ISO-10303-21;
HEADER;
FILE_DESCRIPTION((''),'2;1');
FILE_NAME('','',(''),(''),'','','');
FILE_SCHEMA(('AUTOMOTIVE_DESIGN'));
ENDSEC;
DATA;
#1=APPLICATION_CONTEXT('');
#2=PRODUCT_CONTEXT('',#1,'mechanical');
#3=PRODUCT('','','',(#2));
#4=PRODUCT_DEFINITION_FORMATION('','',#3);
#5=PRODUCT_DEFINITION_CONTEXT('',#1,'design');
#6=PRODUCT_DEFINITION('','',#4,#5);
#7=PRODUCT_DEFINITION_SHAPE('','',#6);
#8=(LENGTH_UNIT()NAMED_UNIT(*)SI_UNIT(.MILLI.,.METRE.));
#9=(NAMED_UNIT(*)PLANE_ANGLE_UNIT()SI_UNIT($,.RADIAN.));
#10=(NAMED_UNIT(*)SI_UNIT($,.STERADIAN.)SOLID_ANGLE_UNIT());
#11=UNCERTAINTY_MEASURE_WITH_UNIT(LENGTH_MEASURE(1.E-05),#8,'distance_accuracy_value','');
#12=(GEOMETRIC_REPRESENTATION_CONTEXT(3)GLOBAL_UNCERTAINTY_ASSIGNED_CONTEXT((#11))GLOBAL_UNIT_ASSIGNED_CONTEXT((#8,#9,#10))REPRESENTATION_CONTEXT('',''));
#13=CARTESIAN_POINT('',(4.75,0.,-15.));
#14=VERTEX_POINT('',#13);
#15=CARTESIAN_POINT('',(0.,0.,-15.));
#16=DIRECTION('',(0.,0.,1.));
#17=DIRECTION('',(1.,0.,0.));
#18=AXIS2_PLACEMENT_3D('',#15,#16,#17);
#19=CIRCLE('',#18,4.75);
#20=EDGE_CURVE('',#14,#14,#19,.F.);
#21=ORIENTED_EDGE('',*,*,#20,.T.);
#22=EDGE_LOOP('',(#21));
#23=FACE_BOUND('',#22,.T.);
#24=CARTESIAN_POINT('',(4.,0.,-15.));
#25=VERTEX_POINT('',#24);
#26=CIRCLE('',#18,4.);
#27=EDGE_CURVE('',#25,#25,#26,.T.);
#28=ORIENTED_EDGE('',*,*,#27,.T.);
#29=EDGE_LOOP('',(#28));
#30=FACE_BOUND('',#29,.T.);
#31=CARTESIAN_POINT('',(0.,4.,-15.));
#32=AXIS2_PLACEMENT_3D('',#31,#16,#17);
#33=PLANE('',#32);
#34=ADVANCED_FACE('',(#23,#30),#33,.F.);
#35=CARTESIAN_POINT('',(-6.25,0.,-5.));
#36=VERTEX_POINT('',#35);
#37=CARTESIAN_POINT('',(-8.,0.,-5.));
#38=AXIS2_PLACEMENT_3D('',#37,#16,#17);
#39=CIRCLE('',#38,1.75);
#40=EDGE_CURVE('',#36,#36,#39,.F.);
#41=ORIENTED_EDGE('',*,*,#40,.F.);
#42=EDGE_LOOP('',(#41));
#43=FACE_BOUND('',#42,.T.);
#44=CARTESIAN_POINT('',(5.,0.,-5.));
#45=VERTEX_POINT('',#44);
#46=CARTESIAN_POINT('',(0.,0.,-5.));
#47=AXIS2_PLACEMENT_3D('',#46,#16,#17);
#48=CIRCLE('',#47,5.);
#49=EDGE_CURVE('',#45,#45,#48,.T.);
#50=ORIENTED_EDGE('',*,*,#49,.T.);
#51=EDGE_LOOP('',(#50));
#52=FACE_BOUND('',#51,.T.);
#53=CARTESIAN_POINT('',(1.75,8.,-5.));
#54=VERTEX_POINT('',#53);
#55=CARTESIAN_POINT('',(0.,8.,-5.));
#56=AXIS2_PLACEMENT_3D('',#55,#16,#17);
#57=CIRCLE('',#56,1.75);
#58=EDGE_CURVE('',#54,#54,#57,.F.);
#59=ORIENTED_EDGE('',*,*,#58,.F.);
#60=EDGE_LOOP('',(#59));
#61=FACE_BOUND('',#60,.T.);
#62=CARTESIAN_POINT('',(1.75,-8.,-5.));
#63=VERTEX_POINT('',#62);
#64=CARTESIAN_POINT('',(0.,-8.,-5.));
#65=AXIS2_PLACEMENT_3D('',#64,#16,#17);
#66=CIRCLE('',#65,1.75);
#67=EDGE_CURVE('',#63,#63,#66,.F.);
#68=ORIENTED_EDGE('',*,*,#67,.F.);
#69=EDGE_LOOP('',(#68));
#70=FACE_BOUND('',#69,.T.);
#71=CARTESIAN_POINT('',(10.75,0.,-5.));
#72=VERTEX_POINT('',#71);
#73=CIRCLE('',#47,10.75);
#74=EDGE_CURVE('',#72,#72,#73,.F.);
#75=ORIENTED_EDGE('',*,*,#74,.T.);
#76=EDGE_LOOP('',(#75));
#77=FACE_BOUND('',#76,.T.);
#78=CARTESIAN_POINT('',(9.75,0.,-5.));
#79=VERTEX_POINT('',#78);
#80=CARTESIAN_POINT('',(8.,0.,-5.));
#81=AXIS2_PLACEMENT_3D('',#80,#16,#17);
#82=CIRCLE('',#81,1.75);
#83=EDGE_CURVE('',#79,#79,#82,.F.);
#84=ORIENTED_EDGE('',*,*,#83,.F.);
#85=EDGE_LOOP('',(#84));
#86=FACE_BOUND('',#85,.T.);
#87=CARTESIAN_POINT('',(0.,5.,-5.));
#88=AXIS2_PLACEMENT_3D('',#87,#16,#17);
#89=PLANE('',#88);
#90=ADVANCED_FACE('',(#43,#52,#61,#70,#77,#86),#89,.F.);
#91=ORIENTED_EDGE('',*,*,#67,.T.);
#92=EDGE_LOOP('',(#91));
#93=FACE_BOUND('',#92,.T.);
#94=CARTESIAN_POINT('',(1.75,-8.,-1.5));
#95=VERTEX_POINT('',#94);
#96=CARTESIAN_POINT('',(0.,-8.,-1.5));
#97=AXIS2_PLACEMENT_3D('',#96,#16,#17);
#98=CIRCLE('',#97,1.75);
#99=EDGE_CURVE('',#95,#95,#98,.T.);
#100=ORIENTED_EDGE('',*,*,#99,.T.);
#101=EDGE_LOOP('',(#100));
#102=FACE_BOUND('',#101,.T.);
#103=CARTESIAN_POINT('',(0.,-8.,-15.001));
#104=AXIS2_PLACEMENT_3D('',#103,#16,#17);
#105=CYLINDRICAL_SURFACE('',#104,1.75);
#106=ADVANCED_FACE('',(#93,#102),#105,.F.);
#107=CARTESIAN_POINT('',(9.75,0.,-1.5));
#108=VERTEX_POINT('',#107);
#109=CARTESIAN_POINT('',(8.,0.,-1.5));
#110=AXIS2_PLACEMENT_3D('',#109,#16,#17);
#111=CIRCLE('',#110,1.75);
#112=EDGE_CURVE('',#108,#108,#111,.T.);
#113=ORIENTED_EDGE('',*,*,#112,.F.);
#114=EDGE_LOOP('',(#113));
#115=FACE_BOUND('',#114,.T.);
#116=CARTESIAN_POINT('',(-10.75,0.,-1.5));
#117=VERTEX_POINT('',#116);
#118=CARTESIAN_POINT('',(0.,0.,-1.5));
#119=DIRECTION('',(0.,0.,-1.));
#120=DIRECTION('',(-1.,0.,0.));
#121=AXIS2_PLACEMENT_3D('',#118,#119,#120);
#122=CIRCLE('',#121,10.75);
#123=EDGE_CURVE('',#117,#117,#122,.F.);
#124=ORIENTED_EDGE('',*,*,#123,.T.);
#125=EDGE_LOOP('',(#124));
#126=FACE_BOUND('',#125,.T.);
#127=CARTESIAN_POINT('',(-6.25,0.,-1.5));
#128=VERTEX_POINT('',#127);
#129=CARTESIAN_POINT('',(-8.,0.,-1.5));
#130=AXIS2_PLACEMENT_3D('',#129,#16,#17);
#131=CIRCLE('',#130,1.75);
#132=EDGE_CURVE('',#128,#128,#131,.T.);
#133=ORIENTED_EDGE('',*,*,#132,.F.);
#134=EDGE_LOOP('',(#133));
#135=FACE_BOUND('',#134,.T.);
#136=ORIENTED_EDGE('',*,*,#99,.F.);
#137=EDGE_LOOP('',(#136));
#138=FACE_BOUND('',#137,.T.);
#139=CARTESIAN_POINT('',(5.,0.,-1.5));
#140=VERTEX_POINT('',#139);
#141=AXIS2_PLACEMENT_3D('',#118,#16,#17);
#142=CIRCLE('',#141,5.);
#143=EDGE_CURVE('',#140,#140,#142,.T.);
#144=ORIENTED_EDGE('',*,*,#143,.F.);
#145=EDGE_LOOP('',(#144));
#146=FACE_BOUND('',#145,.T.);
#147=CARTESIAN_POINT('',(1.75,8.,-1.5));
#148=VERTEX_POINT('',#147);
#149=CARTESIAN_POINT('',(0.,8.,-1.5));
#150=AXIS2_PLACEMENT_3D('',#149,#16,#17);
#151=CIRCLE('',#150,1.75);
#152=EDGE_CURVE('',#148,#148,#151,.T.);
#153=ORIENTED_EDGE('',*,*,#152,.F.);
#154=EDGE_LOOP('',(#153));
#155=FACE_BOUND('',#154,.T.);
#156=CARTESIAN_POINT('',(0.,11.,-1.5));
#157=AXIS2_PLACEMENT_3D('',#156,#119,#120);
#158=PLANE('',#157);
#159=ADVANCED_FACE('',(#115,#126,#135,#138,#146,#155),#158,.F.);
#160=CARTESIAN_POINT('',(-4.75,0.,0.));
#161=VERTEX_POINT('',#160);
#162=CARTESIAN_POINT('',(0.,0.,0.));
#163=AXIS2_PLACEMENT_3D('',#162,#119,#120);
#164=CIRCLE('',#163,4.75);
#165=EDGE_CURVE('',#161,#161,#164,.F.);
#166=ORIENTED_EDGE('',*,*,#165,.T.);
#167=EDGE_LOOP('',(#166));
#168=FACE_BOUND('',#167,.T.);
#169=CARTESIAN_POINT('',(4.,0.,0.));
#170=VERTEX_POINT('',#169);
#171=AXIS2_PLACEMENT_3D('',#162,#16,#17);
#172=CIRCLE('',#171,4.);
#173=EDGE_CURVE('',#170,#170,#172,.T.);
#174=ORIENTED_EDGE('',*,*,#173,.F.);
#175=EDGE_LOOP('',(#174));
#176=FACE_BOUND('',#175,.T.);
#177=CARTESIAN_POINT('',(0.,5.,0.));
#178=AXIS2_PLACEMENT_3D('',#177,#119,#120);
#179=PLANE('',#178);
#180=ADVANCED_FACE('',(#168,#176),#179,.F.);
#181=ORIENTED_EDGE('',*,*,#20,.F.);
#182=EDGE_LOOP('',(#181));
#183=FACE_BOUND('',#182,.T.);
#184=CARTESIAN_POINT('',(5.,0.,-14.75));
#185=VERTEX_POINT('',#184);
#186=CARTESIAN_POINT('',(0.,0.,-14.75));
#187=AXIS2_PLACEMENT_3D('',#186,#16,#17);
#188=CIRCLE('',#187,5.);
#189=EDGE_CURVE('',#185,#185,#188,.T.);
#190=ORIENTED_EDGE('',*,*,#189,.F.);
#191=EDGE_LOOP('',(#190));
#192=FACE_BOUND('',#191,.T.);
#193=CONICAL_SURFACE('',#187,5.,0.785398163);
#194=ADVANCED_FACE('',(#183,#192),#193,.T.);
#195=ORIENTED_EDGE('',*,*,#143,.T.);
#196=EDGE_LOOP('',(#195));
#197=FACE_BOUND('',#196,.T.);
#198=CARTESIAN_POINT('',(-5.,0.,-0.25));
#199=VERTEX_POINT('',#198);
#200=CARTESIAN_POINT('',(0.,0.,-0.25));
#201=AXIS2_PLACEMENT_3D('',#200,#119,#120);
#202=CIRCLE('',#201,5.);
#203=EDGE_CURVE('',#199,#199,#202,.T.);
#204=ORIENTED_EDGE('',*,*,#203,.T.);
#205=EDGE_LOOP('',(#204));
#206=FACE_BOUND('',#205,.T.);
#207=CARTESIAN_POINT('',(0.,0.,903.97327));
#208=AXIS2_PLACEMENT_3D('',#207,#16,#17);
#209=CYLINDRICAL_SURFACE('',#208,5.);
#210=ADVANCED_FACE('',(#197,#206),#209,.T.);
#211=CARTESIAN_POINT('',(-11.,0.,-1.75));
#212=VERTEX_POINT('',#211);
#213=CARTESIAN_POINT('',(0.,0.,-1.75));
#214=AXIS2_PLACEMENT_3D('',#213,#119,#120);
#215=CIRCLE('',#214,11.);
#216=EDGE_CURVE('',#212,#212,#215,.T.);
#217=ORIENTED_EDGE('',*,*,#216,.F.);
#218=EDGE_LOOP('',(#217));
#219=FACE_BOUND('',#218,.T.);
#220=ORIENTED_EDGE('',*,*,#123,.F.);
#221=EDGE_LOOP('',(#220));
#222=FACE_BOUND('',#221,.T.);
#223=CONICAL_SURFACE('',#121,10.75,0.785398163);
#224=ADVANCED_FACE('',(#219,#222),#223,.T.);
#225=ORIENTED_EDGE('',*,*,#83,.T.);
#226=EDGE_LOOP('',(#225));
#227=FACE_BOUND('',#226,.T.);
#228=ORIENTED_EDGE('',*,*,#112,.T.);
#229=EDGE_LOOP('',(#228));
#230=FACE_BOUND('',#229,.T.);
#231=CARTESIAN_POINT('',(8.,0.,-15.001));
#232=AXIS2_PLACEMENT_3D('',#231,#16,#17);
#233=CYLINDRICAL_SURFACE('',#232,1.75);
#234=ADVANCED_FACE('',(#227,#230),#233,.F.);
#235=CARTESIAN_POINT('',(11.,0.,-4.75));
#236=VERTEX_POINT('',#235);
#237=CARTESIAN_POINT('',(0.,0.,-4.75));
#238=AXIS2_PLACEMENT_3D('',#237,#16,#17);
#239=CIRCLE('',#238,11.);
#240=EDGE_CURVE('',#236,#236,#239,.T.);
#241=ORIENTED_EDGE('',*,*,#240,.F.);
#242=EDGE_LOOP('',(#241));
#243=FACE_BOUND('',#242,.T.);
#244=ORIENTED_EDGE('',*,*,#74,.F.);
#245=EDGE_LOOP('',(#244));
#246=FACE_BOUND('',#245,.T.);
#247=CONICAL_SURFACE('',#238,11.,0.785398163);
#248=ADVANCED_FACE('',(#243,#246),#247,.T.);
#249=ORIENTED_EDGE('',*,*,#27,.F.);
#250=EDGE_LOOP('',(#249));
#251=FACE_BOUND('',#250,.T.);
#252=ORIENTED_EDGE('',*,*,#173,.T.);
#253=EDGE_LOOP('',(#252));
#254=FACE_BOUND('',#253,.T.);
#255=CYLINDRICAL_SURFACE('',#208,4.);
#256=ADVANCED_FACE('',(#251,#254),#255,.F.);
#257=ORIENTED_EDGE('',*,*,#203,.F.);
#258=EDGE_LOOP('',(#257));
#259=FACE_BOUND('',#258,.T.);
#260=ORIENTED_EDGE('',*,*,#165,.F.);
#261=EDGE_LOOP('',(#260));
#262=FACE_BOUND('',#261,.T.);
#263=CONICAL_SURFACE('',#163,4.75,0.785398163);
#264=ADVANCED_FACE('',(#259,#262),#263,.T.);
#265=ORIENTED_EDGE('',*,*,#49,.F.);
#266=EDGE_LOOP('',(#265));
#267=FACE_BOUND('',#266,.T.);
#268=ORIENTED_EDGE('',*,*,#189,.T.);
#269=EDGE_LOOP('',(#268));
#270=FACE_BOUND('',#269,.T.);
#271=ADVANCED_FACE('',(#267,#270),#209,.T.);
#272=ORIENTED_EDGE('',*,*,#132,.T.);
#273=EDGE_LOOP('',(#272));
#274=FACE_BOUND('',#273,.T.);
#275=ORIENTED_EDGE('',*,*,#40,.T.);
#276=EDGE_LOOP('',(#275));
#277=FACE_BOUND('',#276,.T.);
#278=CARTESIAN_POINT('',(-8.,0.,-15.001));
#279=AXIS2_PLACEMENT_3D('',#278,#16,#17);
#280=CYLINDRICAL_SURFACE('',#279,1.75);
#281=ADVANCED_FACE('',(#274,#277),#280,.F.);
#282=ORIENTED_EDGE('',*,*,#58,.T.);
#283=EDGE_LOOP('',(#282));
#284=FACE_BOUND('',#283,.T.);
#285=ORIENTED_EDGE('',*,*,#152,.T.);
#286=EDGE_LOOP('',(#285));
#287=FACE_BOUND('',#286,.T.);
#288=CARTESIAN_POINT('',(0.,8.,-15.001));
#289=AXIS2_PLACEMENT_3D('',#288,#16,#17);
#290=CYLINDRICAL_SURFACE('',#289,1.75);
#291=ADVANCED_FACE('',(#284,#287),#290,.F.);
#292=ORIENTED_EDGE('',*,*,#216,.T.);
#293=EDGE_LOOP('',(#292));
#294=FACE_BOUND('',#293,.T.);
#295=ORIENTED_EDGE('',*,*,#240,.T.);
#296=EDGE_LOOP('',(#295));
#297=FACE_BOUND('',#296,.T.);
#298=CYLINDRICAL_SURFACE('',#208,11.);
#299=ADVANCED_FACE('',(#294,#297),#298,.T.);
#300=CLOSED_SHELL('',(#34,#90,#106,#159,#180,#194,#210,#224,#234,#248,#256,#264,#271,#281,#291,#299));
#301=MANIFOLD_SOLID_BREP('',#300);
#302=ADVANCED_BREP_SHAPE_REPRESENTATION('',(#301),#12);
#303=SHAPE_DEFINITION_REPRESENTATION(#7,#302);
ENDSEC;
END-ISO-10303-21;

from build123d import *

# Parameters (mm, degrees)
CHAMFER1_SIZE      = 0.25
CUT_EXTRUDE1_REACH = 15.5
SKETCH2_R          = 1.75


with BuildPart() as part:
    # Sketch1 → Revolve1 (revolve)
    with BuildSketch(Plane(origin=(0, 0, 0), x_dir=(0, 0, -1), z_dir=(1, 0, 0))):
        Polygon((0, 4), (15, 4), (15, 5), (5, 5), (5, 11), (1.5, 11), (1.5, 5), (0, 5), align=None)
    revolve(axis=Axis((0, 0, 903.973270396), (0, 0, -1)))

    # Chamfer1
    chamfer1_edges = [part.edges().sort_by_distance(p)[0] for p in [
        (0, -5, 0),
        (0, -11, -1.5),
        (0, -11, -5),
        (0, -5, -15),
    ]]
    chamfer(chamfer1_edges, length=CHAMFER1_SIZE)

    # Sketch2 → Cut-Extrude1 (cut, up to next)
    with BuildSketch(Plane.XY.offset(-1.5), mode=Mode.PRIVATE) as cut_extrude1_sk1:
        with Locations((0, 8)):
            Circle(SKETCH2_R)
    cut_extrude1_tool1 = extrude(cut_extrude1_sk1.sketch, amount=-CUT_EXTRUDE1_REACH, mode=Mode.PRIVATE) & part.part
    add(cut_extrude1_tool1.solids().sort_by_distance((0, 8, -1.5))[0], mode=Mode.SUBTRACT)
    # Sketch2 → Cut-Extrude1 (cut, up to next)
    with BuildSketch(Plane.XY.offset(-1.5), mode=Mode.PRIVATE) as cut_extrude1_sk2:
        with Locations((8, 0)):
            Circle(SKETCH2_R)
    cut_extrude1_tool2 = extrude(cut_extrude1_sk2.sketch, amount=-CUT_EXTRUDE1_REACH, mode=Mode.PRIVATE) & part.part
    add(cut_extrude1_tool2.solids().sort_by_distance((8, 0, -1.5))[0], mode=Mode.SUBTRACT)
    # Sketch2 → Cut-Extrude1 (cut, up to next)
    with BuildSketch(Plane.XY.offset(-1.5), mode=Mode.PRIVATE) as cut_extrude1_sk3:
        with Locations((0, -8)):
            Circle(SKETCH2_R)
    cut_extrude1_tool3 = extrude(cut_extrude1_sk3.sketch, amount=-CUT_EXTRUDE1_REACH, mode=Mode.PRIVATE) & part.part
    add(cut_extrude1_tool3.solids().sort_by_distance((0, -8, -1.5))[0], mode=Mode.SUBTRACT)
    # Sketch2 → Cut-Extrude1 (cut, up to next)
    with BuildSketch(Plane.XY.offset(-1.5), mode=Mode.PRIVATE) as cut_extrude1_sk4:
        with Locations((-8, 0)):
            Circle(SKETCH2_R)
    cut_extrude1_tool4 = extrude(cut_extrude1_sk4.sketch, amount=-CUT_EXTRUDE1_REACH, mode=Mode.PRIVATE) & part.part
    add(cut_extrude1_tool4.solids().sort_by_distance((-8, 0, -1.5))[0], mode=Mode.SUBTRACT)


solid = part.part
